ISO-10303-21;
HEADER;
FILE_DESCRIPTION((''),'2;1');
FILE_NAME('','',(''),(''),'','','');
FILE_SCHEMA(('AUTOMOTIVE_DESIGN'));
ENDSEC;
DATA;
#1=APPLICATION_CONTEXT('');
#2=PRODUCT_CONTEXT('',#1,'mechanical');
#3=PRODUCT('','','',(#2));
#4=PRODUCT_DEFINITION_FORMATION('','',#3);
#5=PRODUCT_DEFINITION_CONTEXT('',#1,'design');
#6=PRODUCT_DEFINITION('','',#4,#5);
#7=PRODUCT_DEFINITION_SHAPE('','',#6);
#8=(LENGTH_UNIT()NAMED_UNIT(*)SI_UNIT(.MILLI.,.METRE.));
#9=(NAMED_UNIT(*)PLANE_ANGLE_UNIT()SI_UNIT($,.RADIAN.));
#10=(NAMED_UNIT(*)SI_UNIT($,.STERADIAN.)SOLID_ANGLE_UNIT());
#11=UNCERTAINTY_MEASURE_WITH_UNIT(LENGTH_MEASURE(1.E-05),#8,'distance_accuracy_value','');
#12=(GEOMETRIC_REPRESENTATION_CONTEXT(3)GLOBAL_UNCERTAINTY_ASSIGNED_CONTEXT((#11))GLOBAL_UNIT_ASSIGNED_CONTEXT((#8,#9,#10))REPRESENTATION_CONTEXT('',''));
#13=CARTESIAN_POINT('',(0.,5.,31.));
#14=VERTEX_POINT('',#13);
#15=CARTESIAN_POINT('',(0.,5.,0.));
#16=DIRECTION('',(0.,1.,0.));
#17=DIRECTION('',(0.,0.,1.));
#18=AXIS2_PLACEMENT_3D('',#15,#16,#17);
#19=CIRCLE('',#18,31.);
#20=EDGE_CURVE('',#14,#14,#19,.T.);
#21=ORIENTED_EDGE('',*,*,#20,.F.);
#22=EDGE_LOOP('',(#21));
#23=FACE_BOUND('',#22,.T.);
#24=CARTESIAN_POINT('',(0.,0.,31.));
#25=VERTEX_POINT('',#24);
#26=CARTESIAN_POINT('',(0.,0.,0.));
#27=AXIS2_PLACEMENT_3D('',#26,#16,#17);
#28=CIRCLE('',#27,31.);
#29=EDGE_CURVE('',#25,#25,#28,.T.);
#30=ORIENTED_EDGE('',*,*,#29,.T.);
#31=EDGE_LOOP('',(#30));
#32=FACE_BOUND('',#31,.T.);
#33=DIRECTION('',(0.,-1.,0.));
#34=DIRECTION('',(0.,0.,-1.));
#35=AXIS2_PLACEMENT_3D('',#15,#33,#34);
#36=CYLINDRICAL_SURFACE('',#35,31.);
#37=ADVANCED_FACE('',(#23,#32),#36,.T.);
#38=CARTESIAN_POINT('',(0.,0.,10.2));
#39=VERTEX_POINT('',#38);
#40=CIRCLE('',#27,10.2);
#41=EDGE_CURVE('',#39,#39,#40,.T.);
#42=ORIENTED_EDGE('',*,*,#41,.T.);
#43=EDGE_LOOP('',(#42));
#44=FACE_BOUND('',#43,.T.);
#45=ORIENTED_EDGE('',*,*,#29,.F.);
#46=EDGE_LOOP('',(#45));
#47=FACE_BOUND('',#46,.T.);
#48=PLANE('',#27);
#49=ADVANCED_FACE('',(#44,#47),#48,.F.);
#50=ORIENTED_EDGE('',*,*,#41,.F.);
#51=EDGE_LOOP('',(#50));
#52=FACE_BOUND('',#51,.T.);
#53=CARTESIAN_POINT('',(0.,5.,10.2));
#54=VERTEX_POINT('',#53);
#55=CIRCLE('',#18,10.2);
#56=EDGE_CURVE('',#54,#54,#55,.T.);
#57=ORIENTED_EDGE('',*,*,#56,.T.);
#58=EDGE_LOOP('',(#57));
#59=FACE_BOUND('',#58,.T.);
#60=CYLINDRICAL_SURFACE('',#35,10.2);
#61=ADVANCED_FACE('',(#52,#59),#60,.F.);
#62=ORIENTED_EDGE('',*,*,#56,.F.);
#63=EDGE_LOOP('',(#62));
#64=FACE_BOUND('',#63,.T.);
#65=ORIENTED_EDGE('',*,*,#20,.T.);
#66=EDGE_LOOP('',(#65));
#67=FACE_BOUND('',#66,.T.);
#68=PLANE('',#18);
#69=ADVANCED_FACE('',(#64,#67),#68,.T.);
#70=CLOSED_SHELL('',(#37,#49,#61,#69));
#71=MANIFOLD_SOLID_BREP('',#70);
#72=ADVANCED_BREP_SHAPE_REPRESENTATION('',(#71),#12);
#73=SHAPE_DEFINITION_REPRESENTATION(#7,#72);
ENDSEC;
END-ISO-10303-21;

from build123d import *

# Parameters (mm, degrees)
SKETCH1_R                         = 31
SKETCH1_R_2                       = 10.2
REVOLVED_EQUIVALENT_EXTRUDE_DEPTH = 5


with BuildPart() as part:
    # Sketch1 → Revolved_Equivalent_Extrude (new body)
    with BuildSketch(Plane(origin=(0, 0, 0), x_dir=(1, 0, 0), z_dir=(0, 1, 0))):
        with Locations(Location((0, 0, 0), (0, 0, 270))):
            Circle(SKETCH1_R)
        with Locations(Location((0, 0, 0), (0, 0, 270))):
            Circle(SKETCH1_R_2, mode=Mode.SUBTRACT)
    extrude(amount=REVOLVED_EQUIVALENT_EXTRUDE_DEPTH)


solid = part.part
